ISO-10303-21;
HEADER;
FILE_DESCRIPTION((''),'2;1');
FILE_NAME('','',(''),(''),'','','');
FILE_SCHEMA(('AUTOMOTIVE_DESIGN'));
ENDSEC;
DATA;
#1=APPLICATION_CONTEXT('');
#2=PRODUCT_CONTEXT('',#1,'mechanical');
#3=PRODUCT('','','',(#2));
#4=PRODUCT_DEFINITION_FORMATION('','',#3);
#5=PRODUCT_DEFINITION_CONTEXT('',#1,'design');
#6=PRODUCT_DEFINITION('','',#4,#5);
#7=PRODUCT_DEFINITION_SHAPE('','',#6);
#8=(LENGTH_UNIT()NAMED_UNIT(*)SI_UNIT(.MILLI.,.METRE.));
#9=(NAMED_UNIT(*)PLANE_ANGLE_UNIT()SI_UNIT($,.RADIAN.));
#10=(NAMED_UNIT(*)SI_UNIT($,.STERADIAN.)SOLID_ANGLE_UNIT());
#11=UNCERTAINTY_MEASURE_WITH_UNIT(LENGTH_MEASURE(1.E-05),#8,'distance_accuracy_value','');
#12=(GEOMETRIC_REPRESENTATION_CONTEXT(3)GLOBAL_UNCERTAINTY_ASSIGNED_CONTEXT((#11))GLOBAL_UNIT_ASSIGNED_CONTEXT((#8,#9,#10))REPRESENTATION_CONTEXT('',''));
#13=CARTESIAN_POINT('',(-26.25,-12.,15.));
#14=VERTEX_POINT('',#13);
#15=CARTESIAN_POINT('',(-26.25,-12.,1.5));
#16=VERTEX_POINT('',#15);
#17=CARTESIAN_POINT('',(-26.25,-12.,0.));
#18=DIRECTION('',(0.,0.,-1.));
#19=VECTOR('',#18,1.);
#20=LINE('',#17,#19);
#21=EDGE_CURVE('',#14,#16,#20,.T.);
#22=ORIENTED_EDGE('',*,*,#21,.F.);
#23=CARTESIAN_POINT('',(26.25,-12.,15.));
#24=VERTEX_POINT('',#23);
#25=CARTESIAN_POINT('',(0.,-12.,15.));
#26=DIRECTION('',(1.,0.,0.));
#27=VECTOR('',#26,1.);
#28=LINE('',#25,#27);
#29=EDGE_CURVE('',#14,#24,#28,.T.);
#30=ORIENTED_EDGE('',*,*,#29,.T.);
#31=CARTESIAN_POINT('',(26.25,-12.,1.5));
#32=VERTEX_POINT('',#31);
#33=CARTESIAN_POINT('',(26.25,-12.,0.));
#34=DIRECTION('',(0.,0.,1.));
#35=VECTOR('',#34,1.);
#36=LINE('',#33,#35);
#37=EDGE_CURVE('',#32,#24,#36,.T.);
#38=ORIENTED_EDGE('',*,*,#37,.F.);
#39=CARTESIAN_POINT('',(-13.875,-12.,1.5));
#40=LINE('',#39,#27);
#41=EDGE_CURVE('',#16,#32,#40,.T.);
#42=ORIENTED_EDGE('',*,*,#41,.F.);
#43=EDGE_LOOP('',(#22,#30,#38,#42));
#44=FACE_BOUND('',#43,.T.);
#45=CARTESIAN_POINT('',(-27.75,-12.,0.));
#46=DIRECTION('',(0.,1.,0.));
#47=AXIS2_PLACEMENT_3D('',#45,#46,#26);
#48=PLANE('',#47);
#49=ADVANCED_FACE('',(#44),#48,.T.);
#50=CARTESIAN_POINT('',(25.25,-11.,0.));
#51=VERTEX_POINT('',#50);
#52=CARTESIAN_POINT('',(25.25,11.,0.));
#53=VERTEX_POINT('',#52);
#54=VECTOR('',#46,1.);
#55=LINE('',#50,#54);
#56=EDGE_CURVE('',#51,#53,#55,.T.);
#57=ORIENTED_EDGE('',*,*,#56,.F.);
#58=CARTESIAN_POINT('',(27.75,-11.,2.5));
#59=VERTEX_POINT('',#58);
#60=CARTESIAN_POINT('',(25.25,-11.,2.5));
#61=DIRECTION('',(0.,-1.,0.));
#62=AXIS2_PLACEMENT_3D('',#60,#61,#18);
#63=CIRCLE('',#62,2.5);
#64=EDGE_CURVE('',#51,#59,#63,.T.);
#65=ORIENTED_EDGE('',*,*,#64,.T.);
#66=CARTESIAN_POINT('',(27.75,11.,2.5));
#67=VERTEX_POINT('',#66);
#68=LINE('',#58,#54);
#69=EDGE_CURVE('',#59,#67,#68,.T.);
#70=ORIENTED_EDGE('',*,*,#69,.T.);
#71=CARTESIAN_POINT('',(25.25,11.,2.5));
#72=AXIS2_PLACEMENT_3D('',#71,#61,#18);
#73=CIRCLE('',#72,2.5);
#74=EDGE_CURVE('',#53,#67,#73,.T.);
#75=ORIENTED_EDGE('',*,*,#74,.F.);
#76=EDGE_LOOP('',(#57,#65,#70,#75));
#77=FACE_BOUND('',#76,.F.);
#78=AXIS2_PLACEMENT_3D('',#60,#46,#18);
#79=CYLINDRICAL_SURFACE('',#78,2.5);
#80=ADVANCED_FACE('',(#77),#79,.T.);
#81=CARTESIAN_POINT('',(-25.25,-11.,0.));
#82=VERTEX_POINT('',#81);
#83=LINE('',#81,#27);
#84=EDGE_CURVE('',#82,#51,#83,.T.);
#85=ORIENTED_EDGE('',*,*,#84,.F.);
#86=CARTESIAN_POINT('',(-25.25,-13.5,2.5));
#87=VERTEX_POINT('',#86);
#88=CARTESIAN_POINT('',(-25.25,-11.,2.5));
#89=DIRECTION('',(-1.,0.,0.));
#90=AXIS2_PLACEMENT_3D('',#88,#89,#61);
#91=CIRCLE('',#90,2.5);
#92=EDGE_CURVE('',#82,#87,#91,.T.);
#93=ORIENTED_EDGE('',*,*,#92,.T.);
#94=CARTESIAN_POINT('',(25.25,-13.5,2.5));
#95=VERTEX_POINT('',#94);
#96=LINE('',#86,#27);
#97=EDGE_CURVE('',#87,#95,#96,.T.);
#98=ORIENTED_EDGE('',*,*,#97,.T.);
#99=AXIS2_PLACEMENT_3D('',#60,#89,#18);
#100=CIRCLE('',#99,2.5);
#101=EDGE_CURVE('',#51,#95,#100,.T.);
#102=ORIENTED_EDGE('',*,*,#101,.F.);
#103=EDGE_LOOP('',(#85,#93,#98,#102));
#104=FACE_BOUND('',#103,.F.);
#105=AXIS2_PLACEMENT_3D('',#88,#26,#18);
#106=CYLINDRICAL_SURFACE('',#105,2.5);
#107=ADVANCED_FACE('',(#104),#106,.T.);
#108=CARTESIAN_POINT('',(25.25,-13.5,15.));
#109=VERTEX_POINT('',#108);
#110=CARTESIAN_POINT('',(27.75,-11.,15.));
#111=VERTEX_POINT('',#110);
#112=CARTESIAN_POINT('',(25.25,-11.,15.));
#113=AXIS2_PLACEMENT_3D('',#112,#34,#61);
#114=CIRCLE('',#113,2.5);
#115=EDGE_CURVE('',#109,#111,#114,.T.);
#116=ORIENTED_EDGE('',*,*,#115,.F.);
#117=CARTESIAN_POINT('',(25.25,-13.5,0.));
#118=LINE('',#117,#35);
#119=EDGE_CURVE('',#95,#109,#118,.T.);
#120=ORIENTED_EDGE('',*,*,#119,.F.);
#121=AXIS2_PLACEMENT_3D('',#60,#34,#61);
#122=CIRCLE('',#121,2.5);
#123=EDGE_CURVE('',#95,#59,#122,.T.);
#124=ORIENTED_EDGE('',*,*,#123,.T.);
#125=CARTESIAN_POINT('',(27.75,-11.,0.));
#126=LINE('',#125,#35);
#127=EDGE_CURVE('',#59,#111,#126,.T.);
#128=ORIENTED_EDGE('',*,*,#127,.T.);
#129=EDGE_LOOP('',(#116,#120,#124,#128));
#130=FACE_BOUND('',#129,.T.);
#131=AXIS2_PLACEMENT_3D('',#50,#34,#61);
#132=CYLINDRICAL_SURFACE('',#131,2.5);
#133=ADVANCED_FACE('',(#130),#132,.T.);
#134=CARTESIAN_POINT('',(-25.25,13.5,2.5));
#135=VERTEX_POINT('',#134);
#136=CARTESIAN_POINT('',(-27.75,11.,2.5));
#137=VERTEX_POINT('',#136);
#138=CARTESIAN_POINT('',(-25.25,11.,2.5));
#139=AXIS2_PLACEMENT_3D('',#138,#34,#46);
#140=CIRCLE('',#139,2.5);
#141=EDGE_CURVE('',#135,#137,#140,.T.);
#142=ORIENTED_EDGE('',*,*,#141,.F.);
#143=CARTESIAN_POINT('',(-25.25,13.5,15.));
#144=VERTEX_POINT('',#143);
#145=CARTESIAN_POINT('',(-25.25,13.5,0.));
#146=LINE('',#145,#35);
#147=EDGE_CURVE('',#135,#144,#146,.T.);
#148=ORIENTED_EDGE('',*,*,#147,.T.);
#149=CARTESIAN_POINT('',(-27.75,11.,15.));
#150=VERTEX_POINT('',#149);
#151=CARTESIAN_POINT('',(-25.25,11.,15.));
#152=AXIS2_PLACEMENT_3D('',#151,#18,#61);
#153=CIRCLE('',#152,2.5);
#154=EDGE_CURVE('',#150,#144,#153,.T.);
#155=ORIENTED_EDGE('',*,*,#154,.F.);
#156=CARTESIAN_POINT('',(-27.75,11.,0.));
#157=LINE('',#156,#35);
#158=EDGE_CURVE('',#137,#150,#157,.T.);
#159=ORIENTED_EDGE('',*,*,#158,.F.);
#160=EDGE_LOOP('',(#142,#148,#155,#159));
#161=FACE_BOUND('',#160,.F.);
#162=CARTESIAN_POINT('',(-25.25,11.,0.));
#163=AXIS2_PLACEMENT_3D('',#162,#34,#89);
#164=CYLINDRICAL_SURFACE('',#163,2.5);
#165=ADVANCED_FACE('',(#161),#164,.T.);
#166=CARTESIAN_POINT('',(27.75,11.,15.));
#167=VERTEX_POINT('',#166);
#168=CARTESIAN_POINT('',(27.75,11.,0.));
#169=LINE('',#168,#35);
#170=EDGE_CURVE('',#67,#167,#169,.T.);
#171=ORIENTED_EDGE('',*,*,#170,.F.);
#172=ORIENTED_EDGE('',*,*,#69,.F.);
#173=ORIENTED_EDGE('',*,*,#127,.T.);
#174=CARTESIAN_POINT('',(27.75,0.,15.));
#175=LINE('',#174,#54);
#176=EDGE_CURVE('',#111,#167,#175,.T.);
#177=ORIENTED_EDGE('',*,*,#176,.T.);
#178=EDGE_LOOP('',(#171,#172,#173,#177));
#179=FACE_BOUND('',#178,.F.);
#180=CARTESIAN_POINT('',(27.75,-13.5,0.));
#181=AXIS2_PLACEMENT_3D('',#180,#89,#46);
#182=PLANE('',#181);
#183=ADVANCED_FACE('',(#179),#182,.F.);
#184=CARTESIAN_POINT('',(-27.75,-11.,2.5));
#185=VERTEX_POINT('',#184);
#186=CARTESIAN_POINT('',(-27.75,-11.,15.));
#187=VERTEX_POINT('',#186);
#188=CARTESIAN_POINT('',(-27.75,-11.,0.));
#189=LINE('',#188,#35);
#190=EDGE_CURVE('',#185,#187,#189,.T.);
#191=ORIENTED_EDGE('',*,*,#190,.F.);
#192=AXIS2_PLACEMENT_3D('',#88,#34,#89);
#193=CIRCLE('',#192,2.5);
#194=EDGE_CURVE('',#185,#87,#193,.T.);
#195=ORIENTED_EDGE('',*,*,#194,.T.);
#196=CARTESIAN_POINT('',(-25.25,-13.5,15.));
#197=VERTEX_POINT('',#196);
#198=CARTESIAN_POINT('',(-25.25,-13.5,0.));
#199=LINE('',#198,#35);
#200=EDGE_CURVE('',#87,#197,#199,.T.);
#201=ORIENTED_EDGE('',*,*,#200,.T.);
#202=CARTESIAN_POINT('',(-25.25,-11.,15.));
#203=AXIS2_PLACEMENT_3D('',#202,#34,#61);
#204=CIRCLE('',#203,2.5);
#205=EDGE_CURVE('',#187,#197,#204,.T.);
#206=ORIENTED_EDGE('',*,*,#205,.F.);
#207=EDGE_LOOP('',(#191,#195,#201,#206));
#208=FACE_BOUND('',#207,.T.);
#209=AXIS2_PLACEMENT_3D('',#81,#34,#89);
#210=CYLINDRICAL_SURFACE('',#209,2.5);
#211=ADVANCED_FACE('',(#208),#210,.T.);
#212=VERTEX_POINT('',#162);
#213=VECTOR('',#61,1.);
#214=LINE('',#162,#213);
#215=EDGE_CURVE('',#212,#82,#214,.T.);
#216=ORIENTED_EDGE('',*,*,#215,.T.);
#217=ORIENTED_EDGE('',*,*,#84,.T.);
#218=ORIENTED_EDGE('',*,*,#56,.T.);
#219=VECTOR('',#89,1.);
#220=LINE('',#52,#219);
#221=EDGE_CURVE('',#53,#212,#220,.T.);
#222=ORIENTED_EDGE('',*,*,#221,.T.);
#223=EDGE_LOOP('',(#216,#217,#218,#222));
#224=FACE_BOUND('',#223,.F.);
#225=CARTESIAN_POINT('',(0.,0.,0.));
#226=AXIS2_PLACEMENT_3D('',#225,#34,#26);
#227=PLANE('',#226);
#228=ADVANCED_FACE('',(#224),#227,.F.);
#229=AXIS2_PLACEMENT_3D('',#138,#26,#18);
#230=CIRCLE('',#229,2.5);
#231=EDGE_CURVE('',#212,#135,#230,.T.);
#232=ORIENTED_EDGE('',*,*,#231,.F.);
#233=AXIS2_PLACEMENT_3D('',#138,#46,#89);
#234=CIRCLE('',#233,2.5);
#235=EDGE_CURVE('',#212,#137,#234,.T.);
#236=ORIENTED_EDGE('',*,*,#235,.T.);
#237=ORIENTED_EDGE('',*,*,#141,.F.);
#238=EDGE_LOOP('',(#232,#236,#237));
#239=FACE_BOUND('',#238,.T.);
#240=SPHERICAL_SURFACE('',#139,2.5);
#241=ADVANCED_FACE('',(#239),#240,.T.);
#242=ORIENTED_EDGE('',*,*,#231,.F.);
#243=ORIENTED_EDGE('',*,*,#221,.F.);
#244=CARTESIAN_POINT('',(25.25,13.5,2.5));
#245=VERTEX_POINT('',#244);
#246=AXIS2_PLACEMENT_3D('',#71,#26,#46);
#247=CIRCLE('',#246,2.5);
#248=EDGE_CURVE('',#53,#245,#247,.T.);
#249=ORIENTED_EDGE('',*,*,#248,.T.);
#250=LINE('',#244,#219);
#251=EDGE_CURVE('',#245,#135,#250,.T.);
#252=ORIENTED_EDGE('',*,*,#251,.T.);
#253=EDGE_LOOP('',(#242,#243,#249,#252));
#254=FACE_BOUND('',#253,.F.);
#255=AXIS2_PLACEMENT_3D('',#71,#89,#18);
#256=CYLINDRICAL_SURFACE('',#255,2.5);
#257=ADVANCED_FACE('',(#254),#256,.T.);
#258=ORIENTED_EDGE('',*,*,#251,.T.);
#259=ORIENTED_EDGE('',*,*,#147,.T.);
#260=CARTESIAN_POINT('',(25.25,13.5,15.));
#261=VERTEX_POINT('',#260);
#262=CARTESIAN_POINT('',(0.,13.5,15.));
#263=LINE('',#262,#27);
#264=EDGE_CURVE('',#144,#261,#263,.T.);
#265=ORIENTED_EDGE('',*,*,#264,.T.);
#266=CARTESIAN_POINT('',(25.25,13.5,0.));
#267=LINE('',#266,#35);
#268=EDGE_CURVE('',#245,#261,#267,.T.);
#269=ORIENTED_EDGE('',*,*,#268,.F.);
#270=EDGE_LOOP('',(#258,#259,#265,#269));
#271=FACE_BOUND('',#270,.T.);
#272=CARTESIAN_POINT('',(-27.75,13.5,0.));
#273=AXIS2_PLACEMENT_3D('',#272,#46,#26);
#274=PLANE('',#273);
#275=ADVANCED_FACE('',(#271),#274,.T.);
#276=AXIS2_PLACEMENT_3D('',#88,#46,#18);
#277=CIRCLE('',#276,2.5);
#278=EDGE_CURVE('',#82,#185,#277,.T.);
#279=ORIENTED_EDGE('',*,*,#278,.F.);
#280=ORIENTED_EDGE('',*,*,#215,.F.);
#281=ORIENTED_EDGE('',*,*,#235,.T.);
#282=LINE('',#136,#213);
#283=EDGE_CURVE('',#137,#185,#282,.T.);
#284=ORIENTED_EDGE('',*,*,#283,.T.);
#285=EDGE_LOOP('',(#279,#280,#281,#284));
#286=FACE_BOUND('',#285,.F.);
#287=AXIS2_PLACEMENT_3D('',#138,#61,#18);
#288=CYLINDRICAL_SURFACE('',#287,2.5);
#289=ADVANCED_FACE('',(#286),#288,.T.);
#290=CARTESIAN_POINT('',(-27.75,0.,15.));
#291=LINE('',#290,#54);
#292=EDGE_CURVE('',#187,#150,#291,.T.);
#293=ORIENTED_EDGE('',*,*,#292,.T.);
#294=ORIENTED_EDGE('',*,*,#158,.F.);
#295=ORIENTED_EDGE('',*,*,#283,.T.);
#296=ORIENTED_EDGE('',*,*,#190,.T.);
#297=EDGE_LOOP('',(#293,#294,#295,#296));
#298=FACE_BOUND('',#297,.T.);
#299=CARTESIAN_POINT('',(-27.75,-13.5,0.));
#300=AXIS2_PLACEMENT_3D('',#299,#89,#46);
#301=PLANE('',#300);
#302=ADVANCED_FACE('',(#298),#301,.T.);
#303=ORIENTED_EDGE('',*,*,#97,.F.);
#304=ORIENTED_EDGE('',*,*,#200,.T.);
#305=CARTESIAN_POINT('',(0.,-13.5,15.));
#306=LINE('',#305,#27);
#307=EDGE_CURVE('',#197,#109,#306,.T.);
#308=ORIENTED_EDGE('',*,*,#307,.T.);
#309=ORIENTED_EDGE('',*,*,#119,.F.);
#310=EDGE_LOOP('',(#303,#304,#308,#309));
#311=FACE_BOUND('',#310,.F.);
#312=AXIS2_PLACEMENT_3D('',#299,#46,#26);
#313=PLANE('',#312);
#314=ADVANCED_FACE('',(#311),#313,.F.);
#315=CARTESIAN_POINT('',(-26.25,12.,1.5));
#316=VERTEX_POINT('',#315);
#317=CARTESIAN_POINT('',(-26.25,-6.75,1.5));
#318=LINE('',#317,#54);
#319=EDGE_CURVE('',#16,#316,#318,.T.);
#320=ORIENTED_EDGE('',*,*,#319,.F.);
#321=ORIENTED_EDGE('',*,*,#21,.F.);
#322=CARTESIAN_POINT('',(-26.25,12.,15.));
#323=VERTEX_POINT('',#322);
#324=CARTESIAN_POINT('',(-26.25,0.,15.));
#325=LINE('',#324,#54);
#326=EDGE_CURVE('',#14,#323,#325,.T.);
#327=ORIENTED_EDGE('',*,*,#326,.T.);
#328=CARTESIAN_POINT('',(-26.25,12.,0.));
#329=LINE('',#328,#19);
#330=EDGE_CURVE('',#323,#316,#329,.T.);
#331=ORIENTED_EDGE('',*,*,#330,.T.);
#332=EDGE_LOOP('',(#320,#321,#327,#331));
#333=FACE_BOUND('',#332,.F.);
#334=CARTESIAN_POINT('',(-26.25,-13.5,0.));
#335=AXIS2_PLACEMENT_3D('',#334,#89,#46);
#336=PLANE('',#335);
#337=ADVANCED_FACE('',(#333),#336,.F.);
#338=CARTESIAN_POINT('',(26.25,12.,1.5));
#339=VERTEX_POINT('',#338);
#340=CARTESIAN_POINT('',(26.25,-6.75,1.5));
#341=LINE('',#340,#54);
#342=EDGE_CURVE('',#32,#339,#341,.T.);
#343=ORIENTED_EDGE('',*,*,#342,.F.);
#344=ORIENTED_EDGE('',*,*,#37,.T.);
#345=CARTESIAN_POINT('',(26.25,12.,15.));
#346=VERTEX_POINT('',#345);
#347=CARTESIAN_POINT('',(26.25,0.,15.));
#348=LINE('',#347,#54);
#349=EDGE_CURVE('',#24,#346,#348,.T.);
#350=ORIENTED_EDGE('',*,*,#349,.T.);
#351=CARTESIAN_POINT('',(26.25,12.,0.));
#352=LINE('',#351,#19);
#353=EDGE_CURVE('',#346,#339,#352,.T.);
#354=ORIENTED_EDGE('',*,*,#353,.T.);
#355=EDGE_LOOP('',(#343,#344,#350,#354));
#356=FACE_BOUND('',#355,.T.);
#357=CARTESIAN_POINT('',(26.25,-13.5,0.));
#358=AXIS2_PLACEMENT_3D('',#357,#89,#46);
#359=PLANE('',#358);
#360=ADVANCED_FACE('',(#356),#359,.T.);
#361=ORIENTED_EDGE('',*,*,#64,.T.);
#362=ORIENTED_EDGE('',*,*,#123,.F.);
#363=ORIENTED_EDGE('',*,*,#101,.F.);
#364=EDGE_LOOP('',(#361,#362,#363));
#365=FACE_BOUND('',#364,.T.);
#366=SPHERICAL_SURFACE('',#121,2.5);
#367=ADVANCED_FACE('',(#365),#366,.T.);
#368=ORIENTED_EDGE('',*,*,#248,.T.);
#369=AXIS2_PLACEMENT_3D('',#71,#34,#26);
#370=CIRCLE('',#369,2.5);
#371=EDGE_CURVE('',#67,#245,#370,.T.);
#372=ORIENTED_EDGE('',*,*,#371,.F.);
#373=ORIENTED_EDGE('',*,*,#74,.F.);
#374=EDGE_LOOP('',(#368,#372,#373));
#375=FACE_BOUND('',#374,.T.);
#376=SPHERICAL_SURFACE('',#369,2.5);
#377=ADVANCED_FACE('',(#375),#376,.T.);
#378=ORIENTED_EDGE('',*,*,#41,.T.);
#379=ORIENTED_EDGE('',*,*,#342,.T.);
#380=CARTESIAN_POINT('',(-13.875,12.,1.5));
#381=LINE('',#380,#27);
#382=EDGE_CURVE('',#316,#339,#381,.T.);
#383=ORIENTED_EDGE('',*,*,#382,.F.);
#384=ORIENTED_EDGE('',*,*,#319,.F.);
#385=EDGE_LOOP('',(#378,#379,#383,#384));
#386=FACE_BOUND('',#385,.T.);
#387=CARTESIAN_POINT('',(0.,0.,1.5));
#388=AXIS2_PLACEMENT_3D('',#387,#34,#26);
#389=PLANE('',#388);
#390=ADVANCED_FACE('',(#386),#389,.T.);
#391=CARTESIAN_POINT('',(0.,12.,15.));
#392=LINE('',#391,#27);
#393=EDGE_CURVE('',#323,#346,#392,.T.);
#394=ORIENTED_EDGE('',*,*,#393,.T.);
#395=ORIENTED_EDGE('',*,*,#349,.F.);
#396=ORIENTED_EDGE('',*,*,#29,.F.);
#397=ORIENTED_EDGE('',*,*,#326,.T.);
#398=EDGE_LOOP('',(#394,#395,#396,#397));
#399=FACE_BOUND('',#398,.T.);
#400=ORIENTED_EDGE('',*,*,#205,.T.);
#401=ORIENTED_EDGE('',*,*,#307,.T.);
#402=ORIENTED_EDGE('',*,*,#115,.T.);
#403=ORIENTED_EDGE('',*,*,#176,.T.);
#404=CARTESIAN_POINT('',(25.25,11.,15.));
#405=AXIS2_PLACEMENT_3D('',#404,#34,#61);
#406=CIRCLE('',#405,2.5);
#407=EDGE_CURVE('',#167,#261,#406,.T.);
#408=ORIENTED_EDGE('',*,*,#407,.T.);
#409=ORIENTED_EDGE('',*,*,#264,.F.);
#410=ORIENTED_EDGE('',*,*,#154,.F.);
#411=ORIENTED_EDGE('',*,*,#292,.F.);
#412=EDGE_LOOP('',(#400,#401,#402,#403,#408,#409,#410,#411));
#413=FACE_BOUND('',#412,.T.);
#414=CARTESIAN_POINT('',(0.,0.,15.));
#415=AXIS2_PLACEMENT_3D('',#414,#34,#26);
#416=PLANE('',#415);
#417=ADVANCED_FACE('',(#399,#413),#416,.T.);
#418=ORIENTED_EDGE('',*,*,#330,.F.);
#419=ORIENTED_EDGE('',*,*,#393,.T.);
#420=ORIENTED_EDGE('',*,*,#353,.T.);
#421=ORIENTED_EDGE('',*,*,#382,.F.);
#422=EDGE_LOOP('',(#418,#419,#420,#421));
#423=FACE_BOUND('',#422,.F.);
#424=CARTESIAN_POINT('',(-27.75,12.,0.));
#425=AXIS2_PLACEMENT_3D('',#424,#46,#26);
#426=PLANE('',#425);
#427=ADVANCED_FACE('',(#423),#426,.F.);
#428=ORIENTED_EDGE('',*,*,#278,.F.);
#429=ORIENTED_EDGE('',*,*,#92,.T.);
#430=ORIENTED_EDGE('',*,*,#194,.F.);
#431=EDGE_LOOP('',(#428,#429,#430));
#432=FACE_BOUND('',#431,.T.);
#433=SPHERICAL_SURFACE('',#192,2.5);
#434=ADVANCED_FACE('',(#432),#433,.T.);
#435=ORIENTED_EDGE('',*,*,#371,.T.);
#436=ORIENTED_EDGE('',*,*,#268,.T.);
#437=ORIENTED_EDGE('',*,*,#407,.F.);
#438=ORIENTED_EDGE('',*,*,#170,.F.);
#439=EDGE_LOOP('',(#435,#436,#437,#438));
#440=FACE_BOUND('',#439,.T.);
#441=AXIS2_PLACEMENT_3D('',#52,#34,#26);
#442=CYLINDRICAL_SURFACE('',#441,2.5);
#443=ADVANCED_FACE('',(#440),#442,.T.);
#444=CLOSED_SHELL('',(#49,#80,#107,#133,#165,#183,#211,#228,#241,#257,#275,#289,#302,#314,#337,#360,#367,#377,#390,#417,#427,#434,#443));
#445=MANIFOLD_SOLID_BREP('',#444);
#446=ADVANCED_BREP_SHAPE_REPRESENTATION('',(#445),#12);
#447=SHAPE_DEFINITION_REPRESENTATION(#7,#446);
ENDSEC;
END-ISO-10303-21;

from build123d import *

# Parameters (mm, degrees)
F0_W     = 55.5
F0_H     = 27
F1_DEPTH = 15
F2_T     = -1.5
F3_R     = 2.5
F4_R     = 2.5


with BuildPart() as f1:
    # F0 (on Top) → F1 (new body)
    with BuildSketch(Plane.XY):
        Rectangle(F0_W, F0_H)
    extrude(amount=F1_DEPTH)

    # F2
    f2_openings = [f1.faces().sort_by_distance(p)[0] for p in [
        (0, 0, 15),
    ]]
    offset(amount=F2_T, openings=f2_openings)

    # F3
    f3_edges = [f1.edges().sort_by_distance(p)[0] for p in [
        (27.75, 13.5, 7.5),
        (-27.75, 13.5, 7.5),
        (27.75, -13.5, 7.5),
        (-27.75, -13.5, 7.5),
    ]]
    fillet(f3_edges, radius=F3_R)

    # F4
    f4_edges = [f1.edges().sort_by_distance(p)[0] for p in [
        (27.75, 0, 0),
        (27.017767, -12.767767, 0),
        (27.017767, 12.767767, 0),
        (0, -13.5, 0),
        (0, 13.5, 0),
        (-27.017767, -12.767767, 0),
        (-27.017767, 12.767767, 0),
        (-27.75, 0, 0),
    ]]
    fillet(f4_edges, radius=F4_R)


solid = f1.part
